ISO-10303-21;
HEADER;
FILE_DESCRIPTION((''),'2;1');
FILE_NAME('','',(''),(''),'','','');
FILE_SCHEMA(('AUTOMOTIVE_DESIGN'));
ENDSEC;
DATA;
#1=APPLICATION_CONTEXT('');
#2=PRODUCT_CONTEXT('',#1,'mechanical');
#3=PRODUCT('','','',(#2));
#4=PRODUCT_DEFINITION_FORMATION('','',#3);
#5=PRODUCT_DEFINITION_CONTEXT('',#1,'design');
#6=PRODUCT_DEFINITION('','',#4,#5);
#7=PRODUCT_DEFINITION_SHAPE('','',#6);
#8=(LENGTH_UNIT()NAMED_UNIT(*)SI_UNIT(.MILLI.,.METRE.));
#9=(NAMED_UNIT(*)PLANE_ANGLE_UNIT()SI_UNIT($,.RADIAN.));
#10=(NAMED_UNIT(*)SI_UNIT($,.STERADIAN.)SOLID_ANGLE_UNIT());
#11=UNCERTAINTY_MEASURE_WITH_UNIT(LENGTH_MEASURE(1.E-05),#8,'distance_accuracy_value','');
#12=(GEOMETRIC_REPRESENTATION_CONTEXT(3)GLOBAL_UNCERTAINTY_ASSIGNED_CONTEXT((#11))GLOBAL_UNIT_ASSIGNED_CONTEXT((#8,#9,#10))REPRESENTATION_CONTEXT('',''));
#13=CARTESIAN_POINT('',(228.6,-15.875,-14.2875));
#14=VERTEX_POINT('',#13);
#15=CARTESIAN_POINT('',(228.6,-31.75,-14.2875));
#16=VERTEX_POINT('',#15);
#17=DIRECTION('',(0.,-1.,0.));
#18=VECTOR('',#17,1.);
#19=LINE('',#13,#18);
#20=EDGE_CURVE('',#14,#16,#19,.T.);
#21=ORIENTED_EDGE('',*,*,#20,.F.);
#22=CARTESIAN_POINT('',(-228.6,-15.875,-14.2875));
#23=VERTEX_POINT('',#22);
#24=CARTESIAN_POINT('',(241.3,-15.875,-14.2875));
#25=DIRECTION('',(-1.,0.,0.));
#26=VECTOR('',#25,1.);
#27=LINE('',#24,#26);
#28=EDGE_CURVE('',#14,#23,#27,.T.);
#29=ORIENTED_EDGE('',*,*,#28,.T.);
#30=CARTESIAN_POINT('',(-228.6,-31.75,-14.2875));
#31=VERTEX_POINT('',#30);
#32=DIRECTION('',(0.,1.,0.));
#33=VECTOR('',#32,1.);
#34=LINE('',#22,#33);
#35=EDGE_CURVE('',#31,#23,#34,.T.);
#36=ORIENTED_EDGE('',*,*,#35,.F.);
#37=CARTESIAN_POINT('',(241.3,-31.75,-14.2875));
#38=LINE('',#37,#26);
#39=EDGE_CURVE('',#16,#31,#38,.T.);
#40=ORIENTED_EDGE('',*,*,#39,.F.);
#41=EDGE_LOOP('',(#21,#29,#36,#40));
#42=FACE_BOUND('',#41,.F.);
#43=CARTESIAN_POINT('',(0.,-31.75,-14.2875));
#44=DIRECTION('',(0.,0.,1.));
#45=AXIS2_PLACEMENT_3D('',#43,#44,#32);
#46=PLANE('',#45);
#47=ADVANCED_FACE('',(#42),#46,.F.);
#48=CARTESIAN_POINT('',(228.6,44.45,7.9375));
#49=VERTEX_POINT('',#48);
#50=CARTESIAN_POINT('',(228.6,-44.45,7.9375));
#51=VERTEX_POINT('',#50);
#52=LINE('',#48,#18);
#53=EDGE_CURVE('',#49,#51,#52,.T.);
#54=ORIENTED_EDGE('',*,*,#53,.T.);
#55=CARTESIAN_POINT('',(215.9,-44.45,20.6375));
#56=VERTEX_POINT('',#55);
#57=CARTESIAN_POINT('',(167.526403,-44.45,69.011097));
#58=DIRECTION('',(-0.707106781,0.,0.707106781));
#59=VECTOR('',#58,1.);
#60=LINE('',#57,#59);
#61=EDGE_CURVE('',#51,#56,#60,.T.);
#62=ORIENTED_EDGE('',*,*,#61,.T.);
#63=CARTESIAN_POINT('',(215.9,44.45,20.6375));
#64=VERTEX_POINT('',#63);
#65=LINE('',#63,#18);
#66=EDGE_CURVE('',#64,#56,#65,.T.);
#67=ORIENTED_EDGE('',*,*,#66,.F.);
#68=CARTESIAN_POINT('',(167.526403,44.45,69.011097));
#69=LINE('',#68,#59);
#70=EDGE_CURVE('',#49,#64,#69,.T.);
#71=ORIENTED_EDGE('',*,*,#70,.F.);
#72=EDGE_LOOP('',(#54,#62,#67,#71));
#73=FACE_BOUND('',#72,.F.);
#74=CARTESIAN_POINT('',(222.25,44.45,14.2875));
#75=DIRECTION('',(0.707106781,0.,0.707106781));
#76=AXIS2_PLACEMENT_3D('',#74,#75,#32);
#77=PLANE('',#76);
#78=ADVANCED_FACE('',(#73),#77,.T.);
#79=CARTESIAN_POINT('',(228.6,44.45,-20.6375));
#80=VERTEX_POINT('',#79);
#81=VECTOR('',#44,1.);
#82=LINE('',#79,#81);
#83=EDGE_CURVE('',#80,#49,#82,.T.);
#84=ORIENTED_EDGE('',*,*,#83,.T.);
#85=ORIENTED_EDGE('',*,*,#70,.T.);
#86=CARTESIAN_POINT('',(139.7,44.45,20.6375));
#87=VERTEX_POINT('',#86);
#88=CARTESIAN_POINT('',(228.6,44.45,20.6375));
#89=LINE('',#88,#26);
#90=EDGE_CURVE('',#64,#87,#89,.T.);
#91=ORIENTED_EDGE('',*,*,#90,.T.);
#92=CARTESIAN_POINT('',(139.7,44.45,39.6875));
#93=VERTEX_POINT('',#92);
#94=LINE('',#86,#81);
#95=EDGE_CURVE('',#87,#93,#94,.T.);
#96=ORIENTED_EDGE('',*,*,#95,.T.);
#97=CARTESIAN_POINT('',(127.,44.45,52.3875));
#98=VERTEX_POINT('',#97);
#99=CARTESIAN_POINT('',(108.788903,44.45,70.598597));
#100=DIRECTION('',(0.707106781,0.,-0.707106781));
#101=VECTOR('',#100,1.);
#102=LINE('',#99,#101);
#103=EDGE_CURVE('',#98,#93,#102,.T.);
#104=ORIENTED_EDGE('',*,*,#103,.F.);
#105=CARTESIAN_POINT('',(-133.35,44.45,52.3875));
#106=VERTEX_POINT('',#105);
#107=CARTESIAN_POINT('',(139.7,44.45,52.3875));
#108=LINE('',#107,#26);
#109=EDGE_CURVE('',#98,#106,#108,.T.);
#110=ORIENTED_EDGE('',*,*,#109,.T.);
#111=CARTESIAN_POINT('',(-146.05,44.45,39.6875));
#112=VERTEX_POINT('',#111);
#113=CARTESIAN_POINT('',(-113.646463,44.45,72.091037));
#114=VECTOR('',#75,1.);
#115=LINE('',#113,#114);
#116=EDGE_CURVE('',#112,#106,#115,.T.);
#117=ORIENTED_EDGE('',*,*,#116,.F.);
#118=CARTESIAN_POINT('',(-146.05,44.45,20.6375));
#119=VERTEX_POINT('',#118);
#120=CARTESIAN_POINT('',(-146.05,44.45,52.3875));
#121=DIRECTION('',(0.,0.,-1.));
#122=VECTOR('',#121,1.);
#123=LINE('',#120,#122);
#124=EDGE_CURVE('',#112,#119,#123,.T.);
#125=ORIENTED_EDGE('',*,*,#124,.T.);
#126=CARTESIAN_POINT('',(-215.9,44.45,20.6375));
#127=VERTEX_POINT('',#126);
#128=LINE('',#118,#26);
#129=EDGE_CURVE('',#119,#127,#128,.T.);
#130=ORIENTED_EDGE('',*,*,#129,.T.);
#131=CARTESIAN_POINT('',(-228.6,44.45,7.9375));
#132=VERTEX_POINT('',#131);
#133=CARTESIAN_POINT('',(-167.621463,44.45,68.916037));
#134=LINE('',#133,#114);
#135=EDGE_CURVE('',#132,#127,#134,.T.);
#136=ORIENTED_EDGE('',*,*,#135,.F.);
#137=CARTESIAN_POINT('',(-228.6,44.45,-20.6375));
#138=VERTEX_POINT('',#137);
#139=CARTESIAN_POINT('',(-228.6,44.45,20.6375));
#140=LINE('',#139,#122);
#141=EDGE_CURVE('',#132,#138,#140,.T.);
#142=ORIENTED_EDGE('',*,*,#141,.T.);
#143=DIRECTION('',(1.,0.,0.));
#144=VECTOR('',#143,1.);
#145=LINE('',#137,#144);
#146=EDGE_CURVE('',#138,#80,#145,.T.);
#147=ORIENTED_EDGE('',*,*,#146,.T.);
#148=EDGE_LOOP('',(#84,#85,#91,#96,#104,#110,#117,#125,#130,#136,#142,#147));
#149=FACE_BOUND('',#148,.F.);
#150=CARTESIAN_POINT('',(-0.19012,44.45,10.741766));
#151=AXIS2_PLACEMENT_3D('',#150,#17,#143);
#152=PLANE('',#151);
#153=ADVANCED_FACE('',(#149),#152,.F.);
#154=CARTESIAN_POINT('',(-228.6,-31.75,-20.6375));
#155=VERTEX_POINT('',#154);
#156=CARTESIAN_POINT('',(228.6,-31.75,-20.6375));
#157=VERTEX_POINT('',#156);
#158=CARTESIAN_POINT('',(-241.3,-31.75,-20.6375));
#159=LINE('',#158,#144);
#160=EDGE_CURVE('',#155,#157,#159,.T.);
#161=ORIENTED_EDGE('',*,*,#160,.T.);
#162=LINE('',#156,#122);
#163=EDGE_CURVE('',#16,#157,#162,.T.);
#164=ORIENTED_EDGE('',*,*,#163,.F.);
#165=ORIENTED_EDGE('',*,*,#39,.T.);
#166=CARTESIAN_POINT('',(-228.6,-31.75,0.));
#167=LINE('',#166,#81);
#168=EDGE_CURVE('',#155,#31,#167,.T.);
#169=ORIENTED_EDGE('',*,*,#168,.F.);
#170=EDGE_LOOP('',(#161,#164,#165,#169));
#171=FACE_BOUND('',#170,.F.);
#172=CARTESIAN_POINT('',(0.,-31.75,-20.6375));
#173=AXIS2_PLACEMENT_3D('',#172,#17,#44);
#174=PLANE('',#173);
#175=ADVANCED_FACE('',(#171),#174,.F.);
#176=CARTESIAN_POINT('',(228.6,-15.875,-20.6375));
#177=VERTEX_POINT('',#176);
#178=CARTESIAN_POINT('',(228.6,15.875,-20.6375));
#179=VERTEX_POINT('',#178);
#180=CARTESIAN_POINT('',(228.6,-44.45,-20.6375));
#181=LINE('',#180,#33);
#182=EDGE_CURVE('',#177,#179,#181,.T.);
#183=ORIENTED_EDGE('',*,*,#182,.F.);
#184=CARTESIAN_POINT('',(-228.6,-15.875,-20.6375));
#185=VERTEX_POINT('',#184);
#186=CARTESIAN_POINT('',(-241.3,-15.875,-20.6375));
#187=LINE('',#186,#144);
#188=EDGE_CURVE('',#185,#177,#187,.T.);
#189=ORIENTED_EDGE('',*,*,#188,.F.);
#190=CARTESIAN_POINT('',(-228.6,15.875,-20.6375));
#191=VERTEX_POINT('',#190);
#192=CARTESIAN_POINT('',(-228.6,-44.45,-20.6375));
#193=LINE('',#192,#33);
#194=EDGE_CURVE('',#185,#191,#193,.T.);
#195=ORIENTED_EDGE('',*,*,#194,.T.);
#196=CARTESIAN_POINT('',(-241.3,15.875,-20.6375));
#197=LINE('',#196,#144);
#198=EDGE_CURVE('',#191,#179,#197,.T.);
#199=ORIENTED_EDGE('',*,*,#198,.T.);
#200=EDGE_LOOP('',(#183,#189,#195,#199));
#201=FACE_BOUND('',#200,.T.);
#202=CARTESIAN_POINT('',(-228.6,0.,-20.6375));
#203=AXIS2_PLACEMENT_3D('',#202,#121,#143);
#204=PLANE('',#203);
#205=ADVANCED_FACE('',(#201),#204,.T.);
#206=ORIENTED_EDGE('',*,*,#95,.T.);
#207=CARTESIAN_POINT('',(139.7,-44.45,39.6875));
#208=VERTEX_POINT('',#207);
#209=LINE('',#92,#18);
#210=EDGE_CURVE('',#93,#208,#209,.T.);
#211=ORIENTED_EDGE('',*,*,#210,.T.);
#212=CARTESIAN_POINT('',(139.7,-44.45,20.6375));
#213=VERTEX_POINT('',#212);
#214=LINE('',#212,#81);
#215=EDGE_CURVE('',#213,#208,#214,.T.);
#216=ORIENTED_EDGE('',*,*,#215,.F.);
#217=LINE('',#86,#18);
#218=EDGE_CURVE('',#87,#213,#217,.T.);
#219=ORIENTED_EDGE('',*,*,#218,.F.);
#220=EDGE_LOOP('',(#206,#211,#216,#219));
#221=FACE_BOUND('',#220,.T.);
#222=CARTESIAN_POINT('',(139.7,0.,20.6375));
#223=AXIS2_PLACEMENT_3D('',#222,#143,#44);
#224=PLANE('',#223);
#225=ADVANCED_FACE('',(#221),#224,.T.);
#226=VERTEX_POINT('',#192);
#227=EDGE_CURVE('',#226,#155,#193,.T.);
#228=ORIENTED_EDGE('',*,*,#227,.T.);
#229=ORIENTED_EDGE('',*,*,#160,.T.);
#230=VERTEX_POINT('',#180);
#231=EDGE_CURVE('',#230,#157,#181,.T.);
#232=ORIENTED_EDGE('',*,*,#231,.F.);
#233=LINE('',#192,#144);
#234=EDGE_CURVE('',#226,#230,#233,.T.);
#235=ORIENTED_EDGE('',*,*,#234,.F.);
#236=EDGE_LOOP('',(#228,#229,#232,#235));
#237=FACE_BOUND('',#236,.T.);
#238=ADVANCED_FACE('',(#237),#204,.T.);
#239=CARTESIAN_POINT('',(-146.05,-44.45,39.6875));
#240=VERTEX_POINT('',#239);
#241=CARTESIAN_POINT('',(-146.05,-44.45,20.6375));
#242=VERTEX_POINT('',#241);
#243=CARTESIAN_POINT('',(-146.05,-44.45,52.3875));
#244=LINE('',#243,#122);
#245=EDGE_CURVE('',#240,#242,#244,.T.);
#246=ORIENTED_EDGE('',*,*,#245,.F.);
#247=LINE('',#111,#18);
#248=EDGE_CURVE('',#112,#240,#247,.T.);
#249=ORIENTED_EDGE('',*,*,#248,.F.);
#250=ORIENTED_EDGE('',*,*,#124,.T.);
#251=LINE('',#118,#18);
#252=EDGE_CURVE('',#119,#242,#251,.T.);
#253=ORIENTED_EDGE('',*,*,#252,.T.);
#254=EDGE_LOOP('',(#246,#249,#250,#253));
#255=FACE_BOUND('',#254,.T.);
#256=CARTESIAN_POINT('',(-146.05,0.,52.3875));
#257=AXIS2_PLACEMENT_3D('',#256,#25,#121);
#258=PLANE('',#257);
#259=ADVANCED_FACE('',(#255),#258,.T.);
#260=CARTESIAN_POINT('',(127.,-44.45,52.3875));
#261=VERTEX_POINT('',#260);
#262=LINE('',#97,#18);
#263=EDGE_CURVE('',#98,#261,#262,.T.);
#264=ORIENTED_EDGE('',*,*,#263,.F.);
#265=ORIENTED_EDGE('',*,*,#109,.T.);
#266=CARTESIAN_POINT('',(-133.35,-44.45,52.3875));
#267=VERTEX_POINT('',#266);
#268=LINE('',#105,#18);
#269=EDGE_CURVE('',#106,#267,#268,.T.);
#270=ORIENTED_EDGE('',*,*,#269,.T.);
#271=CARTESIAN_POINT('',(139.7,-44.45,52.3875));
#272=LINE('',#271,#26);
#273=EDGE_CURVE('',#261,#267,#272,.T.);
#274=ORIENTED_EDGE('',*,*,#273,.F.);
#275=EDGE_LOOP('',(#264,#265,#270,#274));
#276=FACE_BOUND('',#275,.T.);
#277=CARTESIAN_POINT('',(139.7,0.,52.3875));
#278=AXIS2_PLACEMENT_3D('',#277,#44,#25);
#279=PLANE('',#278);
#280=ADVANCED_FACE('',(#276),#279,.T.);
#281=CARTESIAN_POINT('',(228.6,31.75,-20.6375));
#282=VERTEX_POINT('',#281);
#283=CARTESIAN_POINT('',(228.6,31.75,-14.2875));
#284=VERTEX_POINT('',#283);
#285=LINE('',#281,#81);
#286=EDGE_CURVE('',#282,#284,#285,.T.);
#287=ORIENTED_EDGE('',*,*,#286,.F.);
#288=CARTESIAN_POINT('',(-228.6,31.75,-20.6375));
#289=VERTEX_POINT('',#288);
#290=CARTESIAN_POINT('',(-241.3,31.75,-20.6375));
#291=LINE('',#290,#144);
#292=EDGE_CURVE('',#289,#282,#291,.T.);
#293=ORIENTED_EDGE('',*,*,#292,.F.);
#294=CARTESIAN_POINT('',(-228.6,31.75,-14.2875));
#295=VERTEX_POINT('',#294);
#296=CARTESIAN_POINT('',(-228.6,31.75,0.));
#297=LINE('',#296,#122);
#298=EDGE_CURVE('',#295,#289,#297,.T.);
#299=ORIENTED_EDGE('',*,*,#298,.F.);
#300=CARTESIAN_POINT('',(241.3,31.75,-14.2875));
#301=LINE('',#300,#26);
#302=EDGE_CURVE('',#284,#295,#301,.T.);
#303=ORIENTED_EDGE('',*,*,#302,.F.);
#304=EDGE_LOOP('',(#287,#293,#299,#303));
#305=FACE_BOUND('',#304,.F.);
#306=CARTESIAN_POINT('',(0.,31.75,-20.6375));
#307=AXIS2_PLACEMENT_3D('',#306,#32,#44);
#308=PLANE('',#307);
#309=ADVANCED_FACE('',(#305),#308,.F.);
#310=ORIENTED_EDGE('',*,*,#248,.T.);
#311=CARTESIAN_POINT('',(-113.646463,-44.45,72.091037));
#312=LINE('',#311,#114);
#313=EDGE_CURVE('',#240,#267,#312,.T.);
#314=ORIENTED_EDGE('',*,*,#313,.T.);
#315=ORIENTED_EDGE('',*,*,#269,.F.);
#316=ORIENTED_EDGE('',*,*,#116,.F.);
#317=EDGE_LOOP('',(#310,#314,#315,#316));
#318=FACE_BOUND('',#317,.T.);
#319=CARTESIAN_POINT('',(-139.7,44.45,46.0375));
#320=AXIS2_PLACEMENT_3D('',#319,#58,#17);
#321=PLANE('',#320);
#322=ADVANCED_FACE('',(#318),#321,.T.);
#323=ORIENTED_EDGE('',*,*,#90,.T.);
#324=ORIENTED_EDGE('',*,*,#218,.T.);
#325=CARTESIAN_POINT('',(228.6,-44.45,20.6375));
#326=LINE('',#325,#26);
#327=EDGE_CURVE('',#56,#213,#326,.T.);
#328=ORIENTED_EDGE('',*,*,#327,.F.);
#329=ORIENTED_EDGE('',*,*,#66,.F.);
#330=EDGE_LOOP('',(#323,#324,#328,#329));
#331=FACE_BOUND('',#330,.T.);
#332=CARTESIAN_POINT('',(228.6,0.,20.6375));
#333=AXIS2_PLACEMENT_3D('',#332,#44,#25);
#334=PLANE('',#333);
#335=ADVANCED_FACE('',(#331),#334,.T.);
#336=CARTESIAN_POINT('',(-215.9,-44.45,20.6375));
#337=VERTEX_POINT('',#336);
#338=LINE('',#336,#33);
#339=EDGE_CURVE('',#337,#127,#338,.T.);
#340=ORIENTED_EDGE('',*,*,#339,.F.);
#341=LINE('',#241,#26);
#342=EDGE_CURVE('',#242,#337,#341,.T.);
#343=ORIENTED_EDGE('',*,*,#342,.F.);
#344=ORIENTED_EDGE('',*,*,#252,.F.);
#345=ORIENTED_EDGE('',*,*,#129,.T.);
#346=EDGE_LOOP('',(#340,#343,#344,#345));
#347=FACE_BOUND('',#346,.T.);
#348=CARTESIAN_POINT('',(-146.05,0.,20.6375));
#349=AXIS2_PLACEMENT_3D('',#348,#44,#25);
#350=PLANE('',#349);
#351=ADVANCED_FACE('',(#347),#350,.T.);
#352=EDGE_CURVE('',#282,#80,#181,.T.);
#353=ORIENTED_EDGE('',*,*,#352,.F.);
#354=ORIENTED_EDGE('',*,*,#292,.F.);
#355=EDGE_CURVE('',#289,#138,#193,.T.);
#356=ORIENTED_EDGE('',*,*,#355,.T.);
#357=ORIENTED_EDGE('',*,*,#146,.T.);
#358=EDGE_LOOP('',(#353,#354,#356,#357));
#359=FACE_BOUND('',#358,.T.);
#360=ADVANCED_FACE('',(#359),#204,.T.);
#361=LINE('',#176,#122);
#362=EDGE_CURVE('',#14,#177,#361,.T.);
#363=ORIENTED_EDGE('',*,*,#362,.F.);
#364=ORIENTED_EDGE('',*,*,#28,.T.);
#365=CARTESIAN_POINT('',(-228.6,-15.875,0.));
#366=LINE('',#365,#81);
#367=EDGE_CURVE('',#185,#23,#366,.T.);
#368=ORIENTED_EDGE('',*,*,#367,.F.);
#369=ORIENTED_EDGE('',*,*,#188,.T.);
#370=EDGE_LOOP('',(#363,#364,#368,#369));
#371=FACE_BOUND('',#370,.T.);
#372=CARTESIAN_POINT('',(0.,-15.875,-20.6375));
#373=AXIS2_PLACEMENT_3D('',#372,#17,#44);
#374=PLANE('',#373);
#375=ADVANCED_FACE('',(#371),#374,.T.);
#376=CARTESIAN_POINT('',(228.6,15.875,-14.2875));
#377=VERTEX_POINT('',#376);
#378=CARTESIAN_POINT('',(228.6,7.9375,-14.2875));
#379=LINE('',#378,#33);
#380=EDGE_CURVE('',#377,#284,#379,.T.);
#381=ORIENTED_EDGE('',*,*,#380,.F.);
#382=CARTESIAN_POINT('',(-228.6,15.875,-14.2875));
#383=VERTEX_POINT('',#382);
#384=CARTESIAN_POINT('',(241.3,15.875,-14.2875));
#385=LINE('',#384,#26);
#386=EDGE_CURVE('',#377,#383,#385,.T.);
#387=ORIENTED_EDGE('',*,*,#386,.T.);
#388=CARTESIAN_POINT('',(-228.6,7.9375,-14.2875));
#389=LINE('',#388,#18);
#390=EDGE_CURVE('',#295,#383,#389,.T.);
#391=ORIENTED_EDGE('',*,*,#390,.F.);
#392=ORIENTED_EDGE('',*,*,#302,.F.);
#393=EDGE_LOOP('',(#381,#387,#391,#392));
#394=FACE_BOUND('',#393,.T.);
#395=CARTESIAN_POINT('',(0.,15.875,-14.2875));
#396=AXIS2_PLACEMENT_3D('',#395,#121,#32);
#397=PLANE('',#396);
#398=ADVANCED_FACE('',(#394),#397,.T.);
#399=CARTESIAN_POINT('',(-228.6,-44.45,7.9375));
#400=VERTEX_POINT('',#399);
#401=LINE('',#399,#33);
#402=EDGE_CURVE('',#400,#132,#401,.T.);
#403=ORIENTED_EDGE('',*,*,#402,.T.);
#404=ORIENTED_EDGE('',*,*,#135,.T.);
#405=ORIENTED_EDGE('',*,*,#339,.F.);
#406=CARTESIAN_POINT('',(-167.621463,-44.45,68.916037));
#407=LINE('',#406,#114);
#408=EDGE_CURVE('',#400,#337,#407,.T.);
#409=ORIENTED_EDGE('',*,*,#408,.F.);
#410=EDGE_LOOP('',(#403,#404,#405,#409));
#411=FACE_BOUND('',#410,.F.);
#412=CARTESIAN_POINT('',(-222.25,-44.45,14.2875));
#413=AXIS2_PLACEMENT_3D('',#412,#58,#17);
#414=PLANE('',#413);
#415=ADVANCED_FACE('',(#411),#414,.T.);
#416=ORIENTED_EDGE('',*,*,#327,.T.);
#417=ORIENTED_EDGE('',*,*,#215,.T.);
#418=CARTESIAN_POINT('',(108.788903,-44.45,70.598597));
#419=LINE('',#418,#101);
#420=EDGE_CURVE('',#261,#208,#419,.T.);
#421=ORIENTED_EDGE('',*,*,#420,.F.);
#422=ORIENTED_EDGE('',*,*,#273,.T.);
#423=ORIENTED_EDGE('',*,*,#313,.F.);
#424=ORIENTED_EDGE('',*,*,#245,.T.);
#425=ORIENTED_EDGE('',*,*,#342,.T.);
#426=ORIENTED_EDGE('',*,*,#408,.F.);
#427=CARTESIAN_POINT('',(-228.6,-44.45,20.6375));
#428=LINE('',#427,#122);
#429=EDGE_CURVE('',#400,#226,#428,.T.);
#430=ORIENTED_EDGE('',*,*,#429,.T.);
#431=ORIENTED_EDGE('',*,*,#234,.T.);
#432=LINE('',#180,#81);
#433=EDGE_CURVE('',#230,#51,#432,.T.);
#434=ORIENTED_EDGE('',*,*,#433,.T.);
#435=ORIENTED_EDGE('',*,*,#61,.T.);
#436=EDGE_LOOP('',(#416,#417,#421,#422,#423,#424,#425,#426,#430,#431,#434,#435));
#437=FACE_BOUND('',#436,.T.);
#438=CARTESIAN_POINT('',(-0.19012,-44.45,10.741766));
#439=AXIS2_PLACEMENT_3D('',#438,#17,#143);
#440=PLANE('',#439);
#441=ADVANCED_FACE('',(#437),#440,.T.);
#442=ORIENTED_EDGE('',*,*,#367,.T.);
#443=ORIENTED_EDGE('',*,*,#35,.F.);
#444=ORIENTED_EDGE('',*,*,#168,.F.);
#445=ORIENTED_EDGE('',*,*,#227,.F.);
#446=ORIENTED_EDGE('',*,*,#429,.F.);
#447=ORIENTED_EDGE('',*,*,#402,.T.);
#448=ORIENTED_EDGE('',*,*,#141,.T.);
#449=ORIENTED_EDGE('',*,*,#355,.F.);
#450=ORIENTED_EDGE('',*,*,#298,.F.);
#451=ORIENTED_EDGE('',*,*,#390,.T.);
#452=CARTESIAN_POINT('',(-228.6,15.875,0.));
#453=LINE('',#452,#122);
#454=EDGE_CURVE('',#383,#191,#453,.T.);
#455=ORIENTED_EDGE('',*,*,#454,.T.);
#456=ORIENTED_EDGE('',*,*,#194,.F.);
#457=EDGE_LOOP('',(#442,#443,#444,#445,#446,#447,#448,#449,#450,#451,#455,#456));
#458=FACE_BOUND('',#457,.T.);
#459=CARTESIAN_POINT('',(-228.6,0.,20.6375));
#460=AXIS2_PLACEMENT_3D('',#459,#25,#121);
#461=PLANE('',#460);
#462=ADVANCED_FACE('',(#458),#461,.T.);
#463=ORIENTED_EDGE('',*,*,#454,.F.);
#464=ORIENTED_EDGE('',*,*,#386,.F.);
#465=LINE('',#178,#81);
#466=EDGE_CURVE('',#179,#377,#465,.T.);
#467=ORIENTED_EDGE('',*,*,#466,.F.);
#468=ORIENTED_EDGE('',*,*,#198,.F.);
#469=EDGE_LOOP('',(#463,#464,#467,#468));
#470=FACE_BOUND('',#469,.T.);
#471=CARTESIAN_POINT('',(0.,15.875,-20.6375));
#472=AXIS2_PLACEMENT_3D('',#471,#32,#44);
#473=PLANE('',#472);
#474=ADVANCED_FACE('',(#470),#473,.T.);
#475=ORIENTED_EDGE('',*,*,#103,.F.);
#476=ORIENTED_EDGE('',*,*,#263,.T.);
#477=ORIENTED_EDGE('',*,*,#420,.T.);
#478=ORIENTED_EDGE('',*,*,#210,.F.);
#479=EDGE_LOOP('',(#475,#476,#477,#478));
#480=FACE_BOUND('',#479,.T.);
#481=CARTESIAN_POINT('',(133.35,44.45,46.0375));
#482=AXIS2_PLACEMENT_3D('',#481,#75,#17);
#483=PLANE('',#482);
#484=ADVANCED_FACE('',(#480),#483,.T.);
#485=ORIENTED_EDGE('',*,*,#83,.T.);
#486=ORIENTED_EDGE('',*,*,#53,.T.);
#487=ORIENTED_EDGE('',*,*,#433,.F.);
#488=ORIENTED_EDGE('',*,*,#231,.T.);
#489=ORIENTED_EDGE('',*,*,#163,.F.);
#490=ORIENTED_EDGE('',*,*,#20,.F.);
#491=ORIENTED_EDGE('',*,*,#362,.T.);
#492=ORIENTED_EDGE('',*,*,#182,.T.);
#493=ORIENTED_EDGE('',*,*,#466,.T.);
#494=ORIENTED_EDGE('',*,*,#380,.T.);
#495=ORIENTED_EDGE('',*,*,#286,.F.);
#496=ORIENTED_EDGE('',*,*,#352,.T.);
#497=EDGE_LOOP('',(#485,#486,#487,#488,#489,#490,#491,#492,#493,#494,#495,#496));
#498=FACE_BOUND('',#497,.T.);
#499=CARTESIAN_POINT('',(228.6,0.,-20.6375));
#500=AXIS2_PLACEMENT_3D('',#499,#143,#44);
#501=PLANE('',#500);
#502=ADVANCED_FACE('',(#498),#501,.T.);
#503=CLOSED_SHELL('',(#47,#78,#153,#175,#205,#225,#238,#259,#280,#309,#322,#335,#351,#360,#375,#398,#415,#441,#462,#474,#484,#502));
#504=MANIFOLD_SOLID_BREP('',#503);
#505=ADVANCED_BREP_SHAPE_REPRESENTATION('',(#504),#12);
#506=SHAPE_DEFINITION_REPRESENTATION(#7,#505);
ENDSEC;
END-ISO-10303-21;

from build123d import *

# Parameters (mm, degrees)
F1_DEPTH = 44.45
F2_SIZE  = 12.7
F3_W     = 15.875
F3_H     = 6.35
F4_DEPTH = 241.3


with BuildPart() as f1:
    # F0 (on Front) → F1 (new body, symmetric)
    with BuildSketch(Plane.XZ):
        Polygon((228.6, -20.6375), (228.6, 20.6375), (139.7, 20.6375), (139.7, 52.3875), (-146.05, 52.3875), (-146.05, 20.6375), (-228.6, 20.6375), (-228.6, -20.6375), align=None)
    extrude(amount=F1_DEPTH, both=True)

    # F2
    f2_edges = [f1.edges().sort_by_distance(p)[0] for p in [
        (-146.05, 0, 52.3875),
        (-228.6, 0, 20.6375),
        (139.7, 0, 52.3875),
        (228.6, 0, 20.6375),
    ]]
    chamfer(f2_edges, length=F2_SIZE)

    # F3 (on Right) → F4 (cut, symmetric)
    with BuildSketch(Plane.YZ):
        with Locations((-23.8125, -17.4625)):
            Rectangle(F3_W, F3_H)
        with Locations((23.8125, -17.4625)):
            Rectangle(F3_W, F3_H)
    extrude(amount=F4_DEPTH, both=True, mode=Mode.SUBTRACT)


solid = f1.part
